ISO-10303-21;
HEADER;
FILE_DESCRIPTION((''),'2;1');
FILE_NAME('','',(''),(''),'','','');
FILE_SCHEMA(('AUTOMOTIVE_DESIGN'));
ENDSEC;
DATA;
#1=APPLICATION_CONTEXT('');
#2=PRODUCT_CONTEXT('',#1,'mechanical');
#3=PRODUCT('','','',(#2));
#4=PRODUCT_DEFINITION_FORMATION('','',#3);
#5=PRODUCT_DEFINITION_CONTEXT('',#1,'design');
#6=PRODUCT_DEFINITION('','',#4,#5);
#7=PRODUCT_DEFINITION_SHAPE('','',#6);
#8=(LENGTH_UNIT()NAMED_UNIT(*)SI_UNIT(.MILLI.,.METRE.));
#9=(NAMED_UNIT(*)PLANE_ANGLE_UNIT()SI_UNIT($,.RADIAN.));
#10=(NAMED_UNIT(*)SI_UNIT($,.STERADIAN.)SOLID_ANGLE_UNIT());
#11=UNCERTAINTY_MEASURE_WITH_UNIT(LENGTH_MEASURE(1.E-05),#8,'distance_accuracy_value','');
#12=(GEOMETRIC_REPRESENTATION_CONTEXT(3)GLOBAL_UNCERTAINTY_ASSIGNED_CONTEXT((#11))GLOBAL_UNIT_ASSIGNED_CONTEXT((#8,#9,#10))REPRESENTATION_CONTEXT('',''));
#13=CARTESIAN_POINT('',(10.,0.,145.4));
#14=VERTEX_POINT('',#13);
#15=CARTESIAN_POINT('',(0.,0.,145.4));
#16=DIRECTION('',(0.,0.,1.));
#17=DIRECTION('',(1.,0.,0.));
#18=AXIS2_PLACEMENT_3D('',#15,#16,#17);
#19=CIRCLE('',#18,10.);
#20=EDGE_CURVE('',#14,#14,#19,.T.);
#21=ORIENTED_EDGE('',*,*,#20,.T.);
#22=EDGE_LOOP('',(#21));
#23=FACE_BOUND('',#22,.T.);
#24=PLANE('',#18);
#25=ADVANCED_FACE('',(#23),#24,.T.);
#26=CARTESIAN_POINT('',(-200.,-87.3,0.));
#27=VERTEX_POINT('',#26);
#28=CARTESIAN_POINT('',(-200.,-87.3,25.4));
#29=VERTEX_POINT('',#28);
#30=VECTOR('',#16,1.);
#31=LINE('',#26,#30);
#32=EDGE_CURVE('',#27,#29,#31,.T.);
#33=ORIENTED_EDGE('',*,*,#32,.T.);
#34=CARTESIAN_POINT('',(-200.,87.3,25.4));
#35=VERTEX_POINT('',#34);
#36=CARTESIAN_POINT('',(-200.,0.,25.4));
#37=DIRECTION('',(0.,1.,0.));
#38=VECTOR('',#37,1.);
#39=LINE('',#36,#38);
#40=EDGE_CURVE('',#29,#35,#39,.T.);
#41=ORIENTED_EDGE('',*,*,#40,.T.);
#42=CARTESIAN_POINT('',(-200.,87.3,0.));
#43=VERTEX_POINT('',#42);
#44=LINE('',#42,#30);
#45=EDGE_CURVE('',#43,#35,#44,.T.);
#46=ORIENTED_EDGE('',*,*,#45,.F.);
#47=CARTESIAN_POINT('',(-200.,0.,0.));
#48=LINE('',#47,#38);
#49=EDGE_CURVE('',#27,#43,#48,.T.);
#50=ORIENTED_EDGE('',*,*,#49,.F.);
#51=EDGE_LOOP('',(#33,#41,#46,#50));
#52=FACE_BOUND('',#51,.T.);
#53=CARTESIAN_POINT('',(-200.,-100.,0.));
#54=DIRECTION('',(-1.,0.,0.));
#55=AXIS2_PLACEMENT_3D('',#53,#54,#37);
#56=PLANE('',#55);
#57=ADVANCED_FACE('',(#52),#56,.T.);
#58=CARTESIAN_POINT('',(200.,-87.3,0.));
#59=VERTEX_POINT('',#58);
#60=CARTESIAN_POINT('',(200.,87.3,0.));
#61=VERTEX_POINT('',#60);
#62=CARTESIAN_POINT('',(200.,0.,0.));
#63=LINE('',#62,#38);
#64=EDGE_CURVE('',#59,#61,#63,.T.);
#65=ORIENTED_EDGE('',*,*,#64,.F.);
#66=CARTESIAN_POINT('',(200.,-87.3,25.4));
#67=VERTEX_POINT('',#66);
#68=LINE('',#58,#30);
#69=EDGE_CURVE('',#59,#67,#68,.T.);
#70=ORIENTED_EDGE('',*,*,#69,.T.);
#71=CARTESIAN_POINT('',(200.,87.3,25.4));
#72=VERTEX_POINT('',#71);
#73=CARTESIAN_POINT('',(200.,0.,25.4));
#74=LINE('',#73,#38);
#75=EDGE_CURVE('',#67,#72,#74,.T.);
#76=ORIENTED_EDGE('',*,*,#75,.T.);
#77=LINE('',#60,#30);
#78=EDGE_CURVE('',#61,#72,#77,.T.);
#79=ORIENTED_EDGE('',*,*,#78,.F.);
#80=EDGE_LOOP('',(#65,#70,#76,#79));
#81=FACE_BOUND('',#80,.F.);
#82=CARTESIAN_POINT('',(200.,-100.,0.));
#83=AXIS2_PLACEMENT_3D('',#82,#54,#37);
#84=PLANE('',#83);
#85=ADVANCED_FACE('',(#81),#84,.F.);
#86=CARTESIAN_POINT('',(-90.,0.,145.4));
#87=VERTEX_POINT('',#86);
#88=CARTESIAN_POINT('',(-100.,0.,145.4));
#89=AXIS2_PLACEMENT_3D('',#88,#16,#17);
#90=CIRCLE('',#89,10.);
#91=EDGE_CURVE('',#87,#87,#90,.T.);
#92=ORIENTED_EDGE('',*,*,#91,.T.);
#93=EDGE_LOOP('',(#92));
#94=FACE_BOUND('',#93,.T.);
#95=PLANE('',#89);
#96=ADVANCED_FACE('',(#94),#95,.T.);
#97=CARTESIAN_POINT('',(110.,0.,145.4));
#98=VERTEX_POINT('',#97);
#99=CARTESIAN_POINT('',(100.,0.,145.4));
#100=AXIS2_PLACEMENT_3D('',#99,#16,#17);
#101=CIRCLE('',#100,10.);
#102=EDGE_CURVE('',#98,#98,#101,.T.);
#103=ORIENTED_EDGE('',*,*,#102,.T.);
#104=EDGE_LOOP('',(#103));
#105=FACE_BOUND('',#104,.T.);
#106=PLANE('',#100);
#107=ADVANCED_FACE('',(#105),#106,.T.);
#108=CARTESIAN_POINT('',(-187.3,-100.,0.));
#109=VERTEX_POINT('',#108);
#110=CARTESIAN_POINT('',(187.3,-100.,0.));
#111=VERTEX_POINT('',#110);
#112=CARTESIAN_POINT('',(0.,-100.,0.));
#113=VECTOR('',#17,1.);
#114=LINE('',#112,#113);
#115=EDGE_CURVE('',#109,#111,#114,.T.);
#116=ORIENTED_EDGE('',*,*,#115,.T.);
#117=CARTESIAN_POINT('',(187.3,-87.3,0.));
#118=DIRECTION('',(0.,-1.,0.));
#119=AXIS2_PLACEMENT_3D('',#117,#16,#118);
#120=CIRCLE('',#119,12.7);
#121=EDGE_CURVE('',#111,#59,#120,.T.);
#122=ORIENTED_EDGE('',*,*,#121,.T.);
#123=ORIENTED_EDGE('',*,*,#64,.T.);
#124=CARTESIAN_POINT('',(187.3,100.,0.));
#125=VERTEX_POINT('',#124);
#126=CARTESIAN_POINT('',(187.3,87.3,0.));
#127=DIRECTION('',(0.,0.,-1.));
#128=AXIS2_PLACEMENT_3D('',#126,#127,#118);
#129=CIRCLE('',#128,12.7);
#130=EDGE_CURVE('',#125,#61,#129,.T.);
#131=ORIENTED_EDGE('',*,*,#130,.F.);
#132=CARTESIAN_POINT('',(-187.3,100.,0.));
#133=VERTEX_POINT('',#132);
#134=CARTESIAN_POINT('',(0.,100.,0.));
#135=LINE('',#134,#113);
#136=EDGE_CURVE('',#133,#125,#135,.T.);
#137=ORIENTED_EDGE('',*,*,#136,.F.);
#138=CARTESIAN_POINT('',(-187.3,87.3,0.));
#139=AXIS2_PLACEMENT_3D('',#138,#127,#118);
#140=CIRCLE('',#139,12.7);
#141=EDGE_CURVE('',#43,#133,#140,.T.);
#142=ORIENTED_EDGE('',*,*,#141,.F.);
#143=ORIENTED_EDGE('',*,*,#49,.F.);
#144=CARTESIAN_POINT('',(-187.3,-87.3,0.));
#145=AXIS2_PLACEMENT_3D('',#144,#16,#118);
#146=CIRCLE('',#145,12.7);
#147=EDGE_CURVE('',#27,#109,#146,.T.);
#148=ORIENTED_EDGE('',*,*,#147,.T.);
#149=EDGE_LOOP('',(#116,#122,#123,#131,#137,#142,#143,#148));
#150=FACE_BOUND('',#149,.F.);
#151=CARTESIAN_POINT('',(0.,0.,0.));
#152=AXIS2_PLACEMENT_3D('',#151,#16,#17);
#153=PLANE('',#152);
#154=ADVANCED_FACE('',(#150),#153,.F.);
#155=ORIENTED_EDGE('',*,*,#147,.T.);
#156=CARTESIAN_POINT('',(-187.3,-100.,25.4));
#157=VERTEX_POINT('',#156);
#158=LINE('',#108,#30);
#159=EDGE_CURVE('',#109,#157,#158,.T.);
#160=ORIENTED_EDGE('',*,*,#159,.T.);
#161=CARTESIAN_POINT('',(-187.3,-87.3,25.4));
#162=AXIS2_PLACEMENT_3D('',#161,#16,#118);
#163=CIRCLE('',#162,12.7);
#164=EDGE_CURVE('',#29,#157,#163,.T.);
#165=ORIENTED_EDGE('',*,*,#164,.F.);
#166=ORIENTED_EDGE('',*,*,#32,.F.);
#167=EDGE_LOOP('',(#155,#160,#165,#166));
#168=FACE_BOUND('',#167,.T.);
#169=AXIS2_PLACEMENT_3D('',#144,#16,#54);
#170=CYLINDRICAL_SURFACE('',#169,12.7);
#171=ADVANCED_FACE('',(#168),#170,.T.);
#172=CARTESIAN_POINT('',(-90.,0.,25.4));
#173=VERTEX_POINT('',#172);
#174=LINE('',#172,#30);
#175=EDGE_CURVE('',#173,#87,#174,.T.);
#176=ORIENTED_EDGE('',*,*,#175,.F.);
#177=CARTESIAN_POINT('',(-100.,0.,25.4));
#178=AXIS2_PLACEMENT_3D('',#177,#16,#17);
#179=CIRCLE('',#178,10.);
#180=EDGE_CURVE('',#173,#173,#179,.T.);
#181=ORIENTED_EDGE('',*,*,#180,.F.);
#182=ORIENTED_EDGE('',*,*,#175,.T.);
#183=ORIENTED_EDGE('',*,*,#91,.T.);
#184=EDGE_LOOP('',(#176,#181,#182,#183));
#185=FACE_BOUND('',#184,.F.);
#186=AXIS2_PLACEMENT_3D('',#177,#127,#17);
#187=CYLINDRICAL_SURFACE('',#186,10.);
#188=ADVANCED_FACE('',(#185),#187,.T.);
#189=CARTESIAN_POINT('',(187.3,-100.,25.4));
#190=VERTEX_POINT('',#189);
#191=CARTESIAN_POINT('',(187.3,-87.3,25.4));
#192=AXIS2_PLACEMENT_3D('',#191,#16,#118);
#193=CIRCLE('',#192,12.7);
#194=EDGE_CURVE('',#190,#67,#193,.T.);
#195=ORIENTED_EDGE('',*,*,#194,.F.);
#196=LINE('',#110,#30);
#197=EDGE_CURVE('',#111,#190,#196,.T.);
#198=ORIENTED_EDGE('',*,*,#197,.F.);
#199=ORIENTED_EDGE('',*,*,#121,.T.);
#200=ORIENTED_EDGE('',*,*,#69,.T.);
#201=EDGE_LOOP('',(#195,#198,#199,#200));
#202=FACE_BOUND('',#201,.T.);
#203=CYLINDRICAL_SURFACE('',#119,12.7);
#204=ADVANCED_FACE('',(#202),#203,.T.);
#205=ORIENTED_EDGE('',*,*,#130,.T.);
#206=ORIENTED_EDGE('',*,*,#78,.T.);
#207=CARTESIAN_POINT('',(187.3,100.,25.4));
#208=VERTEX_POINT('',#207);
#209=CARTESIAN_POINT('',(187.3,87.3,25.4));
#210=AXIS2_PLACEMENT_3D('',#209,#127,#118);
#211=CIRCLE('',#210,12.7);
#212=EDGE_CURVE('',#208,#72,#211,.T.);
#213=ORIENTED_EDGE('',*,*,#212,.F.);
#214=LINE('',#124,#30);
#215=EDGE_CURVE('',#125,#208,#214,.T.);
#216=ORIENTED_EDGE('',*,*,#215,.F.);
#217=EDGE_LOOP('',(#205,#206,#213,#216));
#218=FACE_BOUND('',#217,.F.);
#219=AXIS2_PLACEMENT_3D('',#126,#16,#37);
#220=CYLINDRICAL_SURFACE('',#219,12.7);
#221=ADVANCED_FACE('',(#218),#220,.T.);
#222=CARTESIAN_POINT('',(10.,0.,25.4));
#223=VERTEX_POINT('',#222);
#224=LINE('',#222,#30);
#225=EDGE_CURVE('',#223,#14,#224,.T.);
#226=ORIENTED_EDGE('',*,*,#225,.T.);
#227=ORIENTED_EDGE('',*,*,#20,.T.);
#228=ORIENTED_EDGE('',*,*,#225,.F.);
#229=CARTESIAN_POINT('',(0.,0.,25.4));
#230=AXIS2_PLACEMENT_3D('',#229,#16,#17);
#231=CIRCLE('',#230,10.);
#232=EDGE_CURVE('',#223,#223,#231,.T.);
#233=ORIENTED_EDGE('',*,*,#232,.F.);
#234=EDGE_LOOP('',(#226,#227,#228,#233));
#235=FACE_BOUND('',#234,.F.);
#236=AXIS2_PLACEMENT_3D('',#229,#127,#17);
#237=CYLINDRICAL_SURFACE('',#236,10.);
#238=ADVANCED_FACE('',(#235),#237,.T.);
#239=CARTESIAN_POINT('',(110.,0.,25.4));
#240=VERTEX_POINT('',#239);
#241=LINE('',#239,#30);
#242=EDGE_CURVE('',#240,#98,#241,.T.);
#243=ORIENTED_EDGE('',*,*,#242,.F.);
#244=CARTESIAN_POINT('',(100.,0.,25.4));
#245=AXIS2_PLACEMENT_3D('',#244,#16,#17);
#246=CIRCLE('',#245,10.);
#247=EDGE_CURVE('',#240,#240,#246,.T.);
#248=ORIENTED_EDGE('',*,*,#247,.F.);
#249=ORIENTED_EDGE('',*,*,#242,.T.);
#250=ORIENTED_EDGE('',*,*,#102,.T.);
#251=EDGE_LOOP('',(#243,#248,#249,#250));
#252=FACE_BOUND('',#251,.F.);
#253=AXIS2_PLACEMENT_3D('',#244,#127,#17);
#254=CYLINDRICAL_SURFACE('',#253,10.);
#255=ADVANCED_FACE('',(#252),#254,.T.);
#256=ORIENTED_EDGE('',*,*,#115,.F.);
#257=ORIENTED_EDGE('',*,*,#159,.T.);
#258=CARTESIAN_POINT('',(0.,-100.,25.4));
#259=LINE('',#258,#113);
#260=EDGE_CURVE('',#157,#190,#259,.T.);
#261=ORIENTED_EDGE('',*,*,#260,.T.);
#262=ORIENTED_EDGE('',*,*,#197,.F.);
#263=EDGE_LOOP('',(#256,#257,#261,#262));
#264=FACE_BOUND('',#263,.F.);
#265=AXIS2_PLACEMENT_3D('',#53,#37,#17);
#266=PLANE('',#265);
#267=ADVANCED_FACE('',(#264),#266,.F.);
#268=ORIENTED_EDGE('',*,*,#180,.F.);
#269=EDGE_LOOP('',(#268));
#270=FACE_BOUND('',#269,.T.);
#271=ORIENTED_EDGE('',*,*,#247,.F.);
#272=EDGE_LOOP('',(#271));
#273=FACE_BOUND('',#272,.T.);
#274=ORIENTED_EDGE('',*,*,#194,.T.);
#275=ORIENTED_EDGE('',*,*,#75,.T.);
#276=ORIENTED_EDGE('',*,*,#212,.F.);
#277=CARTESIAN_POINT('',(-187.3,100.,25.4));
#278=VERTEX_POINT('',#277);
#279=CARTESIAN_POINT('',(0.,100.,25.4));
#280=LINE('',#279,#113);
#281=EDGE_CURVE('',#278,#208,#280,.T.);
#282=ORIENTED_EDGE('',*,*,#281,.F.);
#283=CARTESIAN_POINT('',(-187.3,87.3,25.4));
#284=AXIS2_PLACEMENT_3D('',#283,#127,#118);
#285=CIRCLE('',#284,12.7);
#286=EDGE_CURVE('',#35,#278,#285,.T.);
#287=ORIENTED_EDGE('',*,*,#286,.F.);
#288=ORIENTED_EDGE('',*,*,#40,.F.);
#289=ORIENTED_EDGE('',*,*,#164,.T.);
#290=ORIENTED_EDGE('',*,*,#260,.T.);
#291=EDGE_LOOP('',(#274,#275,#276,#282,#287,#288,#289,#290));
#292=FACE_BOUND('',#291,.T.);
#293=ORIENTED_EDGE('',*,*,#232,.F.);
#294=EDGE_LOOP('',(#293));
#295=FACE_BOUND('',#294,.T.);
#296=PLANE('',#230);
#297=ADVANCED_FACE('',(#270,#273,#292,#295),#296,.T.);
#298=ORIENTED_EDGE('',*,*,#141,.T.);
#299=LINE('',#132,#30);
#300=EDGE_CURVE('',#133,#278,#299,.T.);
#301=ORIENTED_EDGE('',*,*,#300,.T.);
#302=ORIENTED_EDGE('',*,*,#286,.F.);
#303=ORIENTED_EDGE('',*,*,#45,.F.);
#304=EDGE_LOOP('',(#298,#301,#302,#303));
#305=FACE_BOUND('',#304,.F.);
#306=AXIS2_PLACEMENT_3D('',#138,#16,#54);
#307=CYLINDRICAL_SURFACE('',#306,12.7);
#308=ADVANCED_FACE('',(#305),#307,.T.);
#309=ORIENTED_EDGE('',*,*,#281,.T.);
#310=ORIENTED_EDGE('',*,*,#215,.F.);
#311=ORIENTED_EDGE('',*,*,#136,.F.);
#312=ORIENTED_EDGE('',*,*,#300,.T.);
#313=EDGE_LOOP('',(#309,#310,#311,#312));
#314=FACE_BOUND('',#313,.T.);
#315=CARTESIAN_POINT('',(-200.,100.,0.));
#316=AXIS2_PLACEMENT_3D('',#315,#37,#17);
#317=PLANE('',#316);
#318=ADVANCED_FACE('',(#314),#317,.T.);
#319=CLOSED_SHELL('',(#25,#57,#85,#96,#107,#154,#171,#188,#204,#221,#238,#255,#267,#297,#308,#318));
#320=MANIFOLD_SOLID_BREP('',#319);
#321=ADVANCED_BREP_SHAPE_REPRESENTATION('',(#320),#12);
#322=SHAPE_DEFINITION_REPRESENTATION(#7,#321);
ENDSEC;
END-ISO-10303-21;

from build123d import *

# Parameters (mm, degrees)
F0_W     = 400
F0_H     = 200
F1_DEPTH = 25.4
F2_R     = 10
F3_DEPTH = 120
F4_R     = 12.7


with BuildPart() as f1:
    # F0 (on Top) → F1 (new body)
    with BuildSketch(Plane.XY):
        Rectangle(F0_W, F0_H)
    extrude(amount=F1_DEPTH)

    # F2 (on face) → F3 (join)
    with BuildSketch(Plane.XY.offset(25.4)):
        Circle(F2_R)
        with Locations((100, 0)):
            Circle(F2_R)
        with Locations((-100, 0)):
            Circle(F2_R)
    extrude(amount=F3_DEPTH)

    # F4
    f4_edges = [f1.edges().sort_by_distance(p)[0] for p in [
        (200, -100, 12.7),
        (-200, -100, 12.7),
        (-200, 100, 12.7),
        (200, 100, 12.7),
    ]]
    fillet(f4_edges, radius=F4_R)


solid = f1.part
